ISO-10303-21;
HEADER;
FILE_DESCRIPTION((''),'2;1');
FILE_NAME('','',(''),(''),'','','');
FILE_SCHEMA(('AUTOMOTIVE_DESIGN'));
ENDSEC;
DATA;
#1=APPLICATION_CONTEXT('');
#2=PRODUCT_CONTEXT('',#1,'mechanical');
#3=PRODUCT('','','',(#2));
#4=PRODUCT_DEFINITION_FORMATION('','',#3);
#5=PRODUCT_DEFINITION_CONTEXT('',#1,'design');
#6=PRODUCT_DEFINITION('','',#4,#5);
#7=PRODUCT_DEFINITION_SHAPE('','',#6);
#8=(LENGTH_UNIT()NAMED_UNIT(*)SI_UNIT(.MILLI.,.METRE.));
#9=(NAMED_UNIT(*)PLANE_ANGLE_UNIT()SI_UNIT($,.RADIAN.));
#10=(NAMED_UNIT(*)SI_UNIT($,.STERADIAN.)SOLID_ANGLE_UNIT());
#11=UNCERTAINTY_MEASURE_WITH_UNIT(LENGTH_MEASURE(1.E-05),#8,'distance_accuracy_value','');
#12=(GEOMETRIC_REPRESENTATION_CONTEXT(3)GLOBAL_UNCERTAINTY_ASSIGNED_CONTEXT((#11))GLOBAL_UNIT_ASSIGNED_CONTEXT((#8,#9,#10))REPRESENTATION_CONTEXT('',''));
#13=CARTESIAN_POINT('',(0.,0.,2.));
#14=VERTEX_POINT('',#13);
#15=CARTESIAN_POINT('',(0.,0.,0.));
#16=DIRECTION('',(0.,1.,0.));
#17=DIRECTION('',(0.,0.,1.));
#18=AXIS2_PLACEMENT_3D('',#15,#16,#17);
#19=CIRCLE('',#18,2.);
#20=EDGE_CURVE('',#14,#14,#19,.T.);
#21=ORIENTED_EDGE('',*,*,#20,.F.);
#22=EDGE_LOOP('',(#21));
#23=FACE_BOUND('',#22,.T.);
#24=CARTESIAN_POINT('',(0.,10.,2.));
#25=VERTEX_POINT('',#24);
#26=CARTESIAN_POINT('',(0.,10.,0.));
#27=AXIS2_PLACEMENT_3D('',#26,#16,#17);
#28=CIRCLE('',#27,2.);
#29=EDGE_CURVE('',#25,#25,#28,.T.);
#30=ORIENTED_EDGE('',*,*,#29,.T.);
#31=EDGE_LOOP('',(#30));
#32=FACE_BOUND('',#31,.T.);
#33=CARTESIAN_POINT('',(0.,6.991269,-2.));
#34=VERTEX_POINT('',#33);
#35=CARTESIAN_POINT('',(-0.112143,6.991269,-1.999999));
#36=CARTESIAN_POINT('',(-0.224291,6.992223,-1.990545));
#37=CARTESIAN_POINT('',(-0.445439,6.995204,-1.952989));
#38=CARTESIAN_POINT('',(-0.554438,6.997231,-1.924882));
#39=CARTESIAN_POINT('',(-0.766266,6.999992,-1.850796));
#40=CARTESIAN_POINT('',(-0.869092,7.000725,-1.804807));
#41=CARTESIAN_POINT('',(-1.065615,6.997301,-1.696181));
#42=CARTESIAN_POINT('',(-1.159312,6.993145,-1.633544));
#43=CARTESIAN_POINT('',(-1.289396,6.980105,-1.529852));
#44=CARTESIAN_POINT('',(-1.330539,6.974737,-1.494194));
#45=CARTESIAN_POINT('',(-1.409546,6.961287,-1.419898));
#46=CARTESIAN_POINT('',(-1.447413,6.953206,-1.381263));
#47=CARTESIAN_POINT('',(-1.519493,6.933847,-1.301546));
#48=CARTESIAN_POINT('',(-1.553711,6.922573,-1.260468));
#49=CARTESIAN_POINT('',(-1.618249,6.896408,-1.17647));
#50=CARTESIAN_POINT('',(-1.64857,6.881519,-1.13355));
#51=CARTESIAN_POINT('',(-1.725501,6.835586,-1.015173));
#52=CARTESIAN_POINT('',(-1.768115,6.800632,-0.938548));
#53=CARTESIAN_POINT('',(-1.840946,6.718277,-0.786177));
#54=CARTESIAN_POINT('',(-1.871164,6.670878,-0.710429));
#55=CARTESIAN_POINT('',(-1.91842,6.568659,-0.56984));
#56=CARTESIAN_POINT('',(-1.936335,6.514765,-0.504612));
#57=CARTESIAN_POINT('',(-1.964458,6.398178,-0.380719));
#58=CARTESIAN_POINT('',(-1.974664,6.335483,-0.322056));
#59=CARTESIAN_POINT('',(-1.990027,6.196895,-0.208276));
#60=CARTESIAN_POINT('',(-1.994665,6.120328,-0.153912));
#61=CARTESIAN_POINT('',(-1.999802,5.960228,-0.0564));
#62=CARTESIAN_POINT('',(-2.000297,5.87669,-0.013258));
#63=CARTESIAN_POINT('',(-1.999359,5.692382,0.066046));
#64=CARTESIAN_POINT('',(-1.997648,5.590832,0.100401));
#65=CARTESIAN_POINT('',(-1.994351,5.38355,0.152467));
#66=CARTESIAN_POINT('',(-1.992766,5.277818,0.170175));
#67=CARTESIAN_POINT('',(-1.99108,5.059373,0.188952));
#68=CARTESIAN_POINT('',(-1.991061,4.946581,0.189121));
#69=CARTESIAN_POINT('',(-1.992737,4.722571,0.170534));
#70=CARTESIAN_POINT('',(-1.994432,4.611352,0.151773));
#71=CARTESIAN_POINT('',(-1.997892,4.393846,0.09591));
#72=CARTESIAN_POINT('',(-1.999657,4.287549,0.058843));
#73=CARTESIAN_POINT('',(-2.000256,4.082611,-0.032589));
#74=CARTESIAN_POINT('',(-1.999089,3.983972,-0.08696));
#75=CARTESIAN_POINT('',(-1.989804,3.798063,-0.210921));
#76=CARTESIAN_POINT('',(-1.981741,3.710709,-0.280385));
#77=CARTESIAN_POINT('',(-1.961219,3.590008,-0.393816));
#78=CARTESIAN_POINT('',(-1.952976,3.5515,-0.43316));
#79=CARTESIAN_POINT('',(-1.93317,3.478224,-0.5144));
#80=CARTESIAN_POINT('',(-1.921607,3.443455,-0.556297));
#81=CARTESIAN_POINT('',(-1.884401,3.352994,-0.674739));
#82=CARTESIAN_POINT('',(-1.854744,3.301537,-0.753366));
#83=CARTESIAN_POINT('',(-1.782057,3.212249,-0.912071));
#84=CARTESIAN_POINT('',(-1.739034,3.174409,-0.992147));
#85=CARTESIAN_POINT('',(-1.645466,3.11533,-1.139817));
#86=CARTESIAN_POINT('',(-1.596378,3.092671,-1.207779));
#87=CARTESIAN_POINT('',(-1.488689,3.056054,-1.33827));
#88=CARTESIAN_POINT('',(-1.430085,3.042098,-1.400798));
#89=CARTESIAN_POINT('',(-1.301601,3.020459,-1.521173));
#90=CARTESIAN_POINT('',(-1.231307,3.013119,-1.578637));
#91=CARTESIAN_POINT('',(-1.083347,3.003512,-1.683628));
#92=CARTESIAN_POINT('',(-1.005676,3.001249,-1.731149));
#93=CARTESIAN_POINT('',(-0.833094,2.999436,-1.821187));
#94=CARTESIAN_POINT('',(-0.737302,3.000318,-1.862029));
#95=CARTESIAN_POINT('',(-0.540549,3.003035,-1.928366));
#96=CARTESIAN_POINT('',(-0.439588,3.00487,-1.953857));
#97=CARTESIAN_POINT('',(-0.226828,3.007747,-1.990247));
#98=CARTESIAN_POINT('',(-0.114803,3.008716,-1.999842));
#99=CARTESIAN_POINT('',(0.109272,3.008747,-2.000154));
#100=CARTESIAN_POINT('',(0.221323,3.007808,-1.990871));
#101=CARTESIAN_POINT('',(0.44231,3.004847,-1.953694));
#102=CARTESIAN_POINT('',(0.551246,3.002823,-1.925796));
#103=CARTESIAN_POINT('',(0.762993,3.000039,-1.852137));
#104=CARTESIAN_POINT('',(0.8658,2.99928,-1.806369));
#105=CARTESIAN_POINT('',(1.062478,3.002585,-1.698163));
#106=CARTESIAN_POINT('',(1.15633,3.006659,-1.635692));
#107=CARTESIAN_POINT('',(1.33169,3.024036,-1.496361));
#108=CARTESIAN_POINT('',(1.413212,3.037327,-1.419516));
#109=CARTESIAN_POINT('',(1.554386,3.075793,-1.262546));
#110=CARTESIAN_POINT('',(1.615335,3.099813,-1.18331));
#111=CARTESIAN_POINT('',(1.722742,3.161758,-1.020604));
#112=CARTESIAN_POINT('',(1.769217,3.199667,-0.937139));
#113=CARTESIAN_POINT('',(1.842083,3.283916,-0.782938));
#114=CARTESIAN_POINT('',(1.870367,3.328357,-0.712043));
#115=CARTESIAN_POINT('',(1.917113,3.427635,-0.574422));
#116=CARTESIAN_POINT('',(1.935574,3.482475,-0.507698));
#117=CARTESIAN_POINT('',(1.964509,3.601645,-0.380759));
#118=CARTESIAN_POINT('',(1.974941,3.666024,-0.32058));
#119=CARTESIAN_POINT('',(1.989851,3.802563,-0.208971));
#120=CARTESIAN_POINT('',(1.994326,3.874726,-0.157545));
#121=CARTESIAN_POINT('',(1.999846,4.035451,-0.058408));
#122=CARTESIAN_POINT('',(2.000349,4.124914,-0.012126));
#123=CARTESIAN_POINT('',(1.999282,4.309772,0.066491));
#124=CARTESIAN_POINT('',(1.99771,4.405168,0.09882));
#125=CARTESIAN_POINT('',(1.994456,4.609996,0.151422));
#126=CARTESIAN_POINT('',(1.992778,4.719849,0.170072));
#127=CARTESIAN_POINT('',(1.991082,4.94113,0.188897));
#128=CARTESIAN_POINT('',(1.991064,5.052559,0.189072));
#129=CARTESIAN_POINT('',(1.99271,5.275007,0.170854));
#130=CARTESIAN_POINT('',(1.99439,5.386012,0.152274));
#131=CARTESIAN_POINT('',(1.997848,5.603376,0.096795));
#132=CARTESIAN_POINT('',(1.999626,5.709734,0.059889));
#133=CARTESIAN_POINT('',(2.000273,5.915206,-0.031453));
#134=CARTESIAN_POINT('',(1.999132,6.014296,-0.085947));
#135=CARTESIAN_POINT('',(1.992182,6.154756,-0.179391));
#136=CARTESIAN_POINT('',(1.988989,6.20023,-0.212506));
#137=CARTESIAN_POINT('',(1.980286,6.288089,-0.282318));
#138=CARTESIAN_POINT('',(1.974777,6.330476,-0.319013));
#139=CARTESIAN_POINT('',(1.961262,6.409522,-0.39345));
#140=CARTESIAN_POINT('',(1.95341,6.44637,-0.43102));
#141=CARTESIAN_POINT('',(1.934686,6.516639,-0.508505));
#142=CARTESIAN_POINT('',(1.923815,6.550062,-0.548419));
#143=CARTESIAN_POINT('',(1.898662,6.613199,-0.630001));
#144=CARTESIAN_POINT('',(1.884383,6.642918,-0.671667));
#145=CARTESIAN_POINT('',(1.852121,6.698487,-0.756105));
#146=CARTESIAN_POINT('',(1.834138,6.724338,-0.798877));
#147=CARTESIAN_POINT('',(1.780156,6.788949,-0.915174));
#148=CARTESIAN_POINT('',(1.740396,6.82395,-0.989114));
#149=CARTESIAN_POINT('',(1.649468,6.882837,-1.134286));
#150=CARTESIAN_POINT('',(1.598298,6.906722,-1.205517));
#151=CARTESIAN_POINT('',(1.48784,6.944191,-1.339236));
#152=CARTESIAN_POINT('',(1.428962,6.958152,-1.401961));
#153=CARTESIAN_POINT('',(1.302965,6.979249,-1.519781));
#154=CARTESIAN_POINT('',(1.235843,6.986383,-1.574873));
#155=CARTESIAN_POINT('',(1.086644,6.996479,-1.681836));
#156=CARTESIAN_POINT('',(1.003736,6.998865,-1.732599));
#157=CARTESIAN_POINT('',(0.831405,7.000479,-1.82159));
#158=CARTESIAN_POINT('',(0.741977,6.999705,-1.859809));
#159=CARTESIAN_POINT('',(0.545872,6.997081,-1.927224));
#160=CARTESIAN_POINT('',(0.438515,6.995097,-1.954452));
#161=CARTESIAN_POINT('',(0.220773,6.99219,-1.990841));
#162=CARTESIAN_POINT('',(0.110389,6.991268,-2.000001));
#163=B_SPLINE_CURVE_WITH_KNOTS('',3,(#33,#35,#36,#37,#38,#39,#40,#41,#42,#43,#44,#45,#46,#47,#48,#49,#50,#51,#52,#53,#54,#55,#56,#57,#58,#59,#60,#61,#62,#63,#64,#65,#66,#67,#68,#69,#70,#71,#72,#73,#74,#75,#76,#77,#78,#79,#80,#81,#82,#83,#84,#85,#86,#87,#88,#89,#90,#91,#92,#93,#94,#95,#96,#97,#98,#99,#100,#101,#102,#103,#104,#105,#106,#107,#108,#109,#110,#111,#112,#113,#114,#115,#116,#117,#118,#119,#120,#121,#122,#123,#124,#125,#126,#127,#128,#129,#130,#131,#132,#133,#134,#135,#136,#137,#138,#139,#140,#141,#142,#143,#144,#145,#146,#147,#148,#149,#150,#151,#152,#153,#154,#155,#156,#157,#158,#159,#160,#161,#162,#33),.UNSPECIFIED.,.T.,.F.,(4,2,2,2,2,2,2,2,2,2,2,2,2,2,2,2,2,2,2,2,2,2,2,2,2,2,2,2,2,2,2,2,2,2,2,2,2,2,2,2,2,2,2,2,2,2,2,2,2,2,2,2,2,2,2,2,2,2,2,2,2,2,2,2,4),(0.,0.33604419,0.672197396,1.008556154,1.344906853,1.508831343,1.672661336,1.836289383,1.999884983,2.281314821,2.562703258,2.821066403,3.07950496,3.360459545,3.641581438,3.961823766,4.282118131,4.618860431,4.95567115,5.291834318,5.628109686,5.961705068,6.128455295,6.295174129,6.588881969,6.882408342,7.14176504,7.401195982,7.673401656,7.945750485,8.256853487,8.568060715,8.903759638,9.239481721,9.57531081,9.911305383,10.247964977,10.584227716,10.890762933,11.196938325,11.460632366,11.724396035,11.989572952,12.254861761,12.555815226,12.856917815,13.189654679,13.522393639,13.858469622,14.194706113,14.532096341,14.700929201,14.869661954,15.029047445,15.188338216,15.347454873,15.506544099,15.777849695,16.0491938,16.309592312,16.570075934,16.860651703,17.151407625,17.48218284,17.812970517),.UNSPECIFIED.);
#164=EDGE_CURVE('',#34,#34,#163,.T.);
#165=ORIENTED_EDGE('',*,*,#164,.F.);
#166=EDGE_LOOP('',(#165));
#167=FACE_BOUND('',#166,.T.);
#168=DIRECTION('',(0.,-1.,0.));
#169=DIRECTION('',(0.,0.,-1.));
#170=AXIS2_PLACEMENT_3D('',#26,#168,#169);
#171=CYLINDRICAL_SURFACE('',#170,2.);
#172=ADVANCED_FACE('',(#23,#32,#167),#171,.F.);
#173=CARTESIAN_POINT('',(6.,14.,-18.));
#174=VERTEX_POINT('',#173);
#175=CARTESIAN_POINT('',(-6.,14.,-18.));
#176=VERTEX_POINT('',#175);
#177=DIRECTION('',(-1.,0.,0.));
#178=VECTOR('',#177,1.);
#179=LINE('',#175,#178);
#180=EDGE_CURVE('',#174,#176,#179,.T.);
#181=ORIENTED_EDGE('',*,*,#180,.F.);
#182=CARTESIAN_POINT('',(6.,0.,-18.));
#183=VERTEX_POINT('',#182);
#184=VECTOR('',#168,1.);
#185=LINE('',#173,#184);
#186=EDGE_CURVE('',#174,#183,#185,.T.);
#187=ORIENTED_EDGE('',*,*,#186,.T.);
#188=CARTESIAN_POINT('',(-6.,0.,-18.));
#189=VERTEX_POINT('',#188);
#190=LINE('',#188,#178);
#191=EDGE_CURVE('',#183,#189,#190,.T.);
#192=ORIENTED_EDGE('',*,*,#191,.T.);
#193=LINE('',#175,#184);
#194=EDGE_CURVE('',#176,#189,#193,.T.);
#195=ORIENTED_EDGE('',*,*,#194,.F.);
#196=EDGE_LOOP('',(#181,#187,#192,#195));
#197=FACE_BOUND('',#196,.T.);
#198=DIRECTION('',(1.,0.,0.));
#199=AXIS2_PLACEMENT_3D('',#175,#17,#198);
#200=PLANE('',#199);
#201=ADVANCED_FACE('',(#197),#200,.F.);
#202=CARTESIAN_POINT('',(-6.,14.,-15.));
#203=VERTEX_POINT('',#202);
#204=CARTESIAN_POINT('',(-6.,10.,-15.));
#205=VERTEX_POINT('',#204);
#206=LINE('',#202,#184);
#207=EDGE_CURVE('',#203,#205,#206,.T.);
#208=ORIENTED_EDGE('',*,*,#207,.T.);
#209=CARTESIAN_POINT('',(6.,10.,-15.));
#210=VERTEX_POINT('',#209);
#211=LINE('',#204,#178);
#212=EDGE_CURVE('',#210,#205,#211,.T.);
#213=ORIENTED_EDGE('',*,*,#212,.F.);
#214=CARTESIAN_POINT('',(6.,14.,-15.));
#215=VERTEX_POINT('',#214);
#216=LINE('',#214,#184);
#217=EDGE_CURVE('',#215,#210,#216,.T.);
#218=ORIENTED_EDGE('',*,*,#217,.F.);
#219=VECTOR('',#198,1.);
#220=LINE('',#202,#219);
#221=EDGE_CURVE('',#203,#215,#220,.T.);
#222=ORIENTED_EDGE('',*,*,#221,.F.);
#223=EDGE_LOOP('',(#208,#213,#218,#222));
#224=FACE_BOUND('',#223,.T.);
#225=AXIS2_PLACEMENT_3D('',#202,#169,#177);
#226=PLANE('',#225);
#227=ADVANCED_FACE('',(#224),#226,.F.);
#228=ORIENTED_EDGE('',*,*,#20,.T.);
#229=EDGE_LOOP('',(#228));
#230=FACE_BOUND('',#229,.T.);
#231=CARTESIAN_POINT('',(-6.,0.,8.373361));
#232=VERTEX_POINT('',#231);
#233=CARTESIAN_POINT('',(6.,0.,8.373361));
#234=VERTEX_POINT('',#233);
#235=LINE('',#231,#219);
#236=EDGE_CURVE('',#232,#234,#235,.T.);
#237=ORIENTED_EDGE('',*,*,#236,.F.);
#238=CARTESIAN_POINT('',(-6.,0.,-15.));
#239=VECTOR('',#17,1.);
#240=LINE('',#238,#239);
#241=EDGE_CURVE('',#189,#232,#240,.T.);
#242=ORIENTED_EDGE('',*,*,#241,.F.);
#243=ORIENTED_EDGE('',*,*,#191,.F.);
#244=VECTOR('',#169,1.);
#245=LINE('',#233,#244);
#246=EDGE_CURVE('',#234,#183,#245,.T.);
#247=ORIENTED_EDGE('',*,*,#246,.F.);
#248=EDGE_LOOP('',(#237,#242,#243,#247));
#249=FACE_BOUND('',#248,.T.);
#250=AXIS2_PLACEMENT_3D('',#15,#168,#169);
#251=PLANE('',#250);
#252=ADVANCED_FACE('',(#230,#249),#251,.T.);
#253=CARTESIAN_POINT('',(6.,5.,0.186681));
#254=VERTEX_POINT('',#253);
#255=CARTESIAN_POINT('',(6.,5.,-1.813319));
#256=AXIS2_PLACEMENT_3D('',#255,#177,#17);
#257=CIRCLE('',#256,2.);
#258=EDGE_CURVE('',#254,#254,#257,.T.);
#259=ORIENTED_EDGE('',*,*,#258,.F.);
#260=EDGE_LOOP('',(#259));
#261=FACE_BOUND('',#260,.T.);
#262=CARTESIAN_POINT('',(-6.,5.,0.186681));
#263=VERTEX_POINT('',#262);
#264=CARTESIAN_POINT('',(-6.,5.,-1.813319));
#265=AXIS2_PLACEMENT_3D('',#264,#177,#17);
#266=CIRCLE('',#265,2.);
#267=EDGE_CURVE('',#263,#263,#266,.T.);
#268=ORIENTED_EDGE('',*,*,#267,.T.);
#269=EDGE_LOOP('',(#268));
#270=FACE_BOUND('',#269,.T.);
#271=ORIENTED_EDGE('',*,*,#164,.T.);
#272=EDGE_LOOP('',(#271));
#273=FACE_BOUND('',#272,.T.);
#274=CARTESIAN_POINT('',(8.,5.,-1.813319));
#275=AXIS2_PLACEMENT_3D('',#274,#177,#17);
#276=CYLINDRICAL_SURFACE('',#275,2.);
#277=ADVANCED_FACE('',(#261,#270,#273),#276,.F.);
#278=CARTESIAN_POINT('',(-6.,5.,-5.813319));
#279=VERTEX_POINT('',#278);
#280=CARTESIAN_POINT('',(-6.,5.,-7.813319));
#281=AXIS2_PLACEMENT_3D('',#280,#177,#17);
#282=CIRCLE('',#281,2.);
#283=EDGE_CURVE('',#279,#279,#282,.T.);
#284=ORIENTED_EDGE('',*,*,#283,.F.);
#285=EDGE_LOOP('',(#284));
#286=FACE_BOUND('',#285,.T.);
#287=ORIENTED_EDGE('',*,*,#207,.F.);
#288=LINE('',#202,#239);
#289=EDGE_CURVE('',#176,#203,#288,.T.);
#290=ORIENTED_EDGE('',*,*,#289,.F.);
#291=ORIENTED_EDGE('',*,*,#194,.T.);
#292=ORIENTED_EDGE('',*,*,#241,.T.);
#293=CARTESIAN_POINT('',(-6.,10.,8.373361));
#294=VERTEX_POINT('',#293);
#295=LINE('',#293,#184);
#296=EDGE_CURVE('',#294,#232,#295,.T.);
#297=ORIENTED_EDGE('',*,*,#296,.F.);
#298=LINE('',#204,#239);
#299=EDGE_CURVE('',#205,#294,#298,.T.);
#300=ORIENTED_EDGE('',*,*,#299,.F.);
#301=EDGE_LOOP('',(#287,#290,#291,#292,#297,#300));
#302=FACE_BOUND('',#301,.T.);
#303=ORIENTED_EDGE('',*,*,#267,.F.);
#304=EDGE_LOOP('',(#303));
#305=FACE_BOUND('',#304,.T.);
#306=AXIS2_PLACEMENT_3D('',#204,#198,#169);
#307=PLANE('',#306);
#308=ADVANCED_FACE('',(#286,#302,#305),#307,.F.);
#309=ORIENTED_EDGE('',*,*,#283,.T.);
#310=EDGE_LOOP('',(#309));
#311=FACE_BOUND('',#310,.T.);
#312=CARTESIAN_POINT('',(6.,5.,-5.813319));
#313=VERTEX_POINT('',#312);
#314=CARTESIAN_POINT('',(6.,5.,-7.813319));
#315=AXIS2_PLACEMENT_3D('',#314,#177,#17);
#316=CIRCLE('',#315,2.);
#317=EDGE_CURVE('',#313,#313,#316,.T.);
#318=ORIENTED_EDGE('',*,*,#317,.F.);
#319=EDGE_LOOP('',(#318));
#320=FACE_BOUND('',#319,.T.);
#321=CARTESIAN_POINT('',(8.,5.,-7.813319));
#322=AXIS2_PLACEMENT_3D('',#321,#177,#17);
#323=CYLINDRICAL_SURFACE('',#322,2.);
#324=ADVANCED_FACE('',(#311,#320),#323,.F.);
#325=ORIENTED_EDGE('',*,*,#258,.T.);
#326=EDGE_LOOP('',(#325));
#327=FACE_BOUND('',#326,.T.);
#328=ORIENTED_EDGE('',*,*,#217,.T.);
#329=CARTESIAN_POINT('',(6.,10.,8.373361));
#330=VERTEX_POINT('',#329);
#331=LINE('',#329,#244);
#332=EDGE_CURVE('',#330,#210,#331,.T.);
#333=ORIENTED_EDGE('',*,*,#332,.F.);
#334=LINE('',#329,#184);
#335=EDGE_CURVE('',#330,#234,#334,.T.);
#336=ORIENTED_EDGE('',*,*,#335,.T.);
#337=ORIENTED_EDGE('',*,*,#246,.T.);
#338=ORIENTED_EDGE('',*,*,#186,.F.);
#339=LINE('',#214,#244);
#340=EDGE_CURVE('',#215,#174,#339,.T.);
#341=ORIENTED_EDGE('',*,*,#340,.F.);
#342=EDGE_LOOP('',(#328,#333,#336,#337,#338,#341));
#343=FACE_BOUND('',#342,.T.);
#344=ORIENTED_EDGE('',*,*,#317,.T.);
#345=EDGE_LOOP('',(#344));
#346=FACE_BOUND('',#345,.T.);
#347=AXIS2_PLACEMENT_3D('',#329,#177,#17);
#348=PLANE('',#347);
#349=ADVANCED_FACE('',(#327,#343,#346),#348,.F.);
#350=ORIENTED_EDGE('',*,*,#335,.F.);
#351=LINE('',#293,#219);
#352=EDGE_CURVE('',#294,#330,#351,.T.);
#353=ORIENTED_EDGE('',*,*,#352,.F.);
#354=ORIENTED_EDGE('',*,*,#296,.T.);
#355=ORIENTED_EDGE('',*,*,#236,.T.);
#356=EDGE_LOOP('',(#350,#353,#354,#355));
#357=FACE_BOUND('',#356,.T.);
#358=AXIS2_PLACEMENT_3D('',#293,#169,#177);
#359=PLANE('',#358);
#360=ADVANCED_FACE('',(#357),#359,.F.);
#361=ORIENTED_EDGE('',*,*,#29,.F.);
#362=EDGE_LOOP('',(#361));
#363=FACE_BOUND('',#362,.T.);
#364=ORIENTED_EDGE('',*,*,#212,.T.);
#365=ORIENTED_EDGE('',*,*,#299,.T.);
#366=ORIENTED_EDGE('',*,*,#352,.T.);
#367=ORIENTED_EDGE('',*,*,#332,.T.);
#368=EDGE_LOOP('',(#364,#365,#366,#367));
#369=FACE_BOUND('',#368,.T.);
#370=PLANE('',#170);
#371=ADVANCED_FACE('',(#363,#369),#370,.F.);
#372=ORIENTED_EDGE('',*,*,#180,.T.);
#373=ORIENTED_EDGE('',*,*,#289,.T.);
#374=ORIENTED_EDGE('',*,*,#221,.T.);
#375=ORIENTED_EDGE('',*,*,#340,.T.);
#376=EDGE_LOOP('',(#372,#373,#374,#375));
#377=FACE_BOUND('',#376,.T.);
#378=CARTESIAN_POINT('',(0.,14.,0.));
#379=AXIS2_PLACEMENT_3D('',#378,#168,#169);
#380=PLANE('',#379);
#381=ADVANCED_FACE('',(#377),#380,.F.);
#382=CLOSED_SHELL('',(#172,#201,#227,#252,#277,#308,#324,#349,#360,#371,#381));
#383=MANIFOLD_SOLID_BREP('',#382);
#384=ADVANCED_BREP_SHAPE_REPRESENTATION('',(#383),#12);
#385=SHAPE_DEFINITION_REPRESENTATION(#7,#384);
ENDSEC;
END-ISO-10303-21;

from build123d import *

# Parameters (mm, degrees)
SKETCH1_W                = 12
SKETCH1_H                = 23.373361116
SKETCH1_R                = 2
BOSS_EXTRUDE1_DEPTH      = 10
BOSS_EXTRUDE2_DEPTH      = 4
BOSS_EXTRUDE2_DEPTH_BACK = 10
SKETCH2_W                = 12
SKETCH2_H                = 3
SKETCH3_R                = 2
CUT_EXTRUDE1_DEPTH       = 14


with BuildPart() as part:
    # Sketch1 → Boss-Extrude1 (new body)
    with BuildSketch(Plane(origin=(0, 0, 0), x_dir=(1, 0, 0), z_dir=(0, 1, 0))):
        with Locations((0, 3.313319442)):
            Rectangle(SKETCH1_W, SKETCH1_H)
        with Locations(Location((0, 0, 0), (0, 0, 270))):
            Circle(SKETCH1_R, mode=Mode.SUBTRACT)
    extrude(amount=BOSS_EXTRUDE1_DEPTH)

    # Sketch2 → Boss-Extrude2 (add, two sides: drawn at the far end of the back side and taken through both)
    with BuildSketch(Plane(origin=(0, 10, 0), x_dir=(1, 0, 0), z_dir=(0, 1, 0)).offset(-BOSS_EXTRUDE2_DEPTH_BACK)):
        with Locations((0, 16.5)):
            Rectangle(SKETCH2_W, SKETCH2_H)
    extrude(amount=BOSS_EXTRUDE2_DEPTH + BOSS_EXTRUDE2_DEPTH_BACK)

    # Sketch3 → Cut-Extrude1 (cut)
    with BuildSketch(Plane.ZY.offset(6)):
        with Locations((-7.813319442, 5)):
            Circle(SKETCH3_R)
        with Locations((-1.813319442, 5)):
            Circle(SKETCH3_R)
    extrude(amount=-CUT_EXTRUDE1_DEPTH, mode=Mode.SUBTRACT)


solid = part.part
